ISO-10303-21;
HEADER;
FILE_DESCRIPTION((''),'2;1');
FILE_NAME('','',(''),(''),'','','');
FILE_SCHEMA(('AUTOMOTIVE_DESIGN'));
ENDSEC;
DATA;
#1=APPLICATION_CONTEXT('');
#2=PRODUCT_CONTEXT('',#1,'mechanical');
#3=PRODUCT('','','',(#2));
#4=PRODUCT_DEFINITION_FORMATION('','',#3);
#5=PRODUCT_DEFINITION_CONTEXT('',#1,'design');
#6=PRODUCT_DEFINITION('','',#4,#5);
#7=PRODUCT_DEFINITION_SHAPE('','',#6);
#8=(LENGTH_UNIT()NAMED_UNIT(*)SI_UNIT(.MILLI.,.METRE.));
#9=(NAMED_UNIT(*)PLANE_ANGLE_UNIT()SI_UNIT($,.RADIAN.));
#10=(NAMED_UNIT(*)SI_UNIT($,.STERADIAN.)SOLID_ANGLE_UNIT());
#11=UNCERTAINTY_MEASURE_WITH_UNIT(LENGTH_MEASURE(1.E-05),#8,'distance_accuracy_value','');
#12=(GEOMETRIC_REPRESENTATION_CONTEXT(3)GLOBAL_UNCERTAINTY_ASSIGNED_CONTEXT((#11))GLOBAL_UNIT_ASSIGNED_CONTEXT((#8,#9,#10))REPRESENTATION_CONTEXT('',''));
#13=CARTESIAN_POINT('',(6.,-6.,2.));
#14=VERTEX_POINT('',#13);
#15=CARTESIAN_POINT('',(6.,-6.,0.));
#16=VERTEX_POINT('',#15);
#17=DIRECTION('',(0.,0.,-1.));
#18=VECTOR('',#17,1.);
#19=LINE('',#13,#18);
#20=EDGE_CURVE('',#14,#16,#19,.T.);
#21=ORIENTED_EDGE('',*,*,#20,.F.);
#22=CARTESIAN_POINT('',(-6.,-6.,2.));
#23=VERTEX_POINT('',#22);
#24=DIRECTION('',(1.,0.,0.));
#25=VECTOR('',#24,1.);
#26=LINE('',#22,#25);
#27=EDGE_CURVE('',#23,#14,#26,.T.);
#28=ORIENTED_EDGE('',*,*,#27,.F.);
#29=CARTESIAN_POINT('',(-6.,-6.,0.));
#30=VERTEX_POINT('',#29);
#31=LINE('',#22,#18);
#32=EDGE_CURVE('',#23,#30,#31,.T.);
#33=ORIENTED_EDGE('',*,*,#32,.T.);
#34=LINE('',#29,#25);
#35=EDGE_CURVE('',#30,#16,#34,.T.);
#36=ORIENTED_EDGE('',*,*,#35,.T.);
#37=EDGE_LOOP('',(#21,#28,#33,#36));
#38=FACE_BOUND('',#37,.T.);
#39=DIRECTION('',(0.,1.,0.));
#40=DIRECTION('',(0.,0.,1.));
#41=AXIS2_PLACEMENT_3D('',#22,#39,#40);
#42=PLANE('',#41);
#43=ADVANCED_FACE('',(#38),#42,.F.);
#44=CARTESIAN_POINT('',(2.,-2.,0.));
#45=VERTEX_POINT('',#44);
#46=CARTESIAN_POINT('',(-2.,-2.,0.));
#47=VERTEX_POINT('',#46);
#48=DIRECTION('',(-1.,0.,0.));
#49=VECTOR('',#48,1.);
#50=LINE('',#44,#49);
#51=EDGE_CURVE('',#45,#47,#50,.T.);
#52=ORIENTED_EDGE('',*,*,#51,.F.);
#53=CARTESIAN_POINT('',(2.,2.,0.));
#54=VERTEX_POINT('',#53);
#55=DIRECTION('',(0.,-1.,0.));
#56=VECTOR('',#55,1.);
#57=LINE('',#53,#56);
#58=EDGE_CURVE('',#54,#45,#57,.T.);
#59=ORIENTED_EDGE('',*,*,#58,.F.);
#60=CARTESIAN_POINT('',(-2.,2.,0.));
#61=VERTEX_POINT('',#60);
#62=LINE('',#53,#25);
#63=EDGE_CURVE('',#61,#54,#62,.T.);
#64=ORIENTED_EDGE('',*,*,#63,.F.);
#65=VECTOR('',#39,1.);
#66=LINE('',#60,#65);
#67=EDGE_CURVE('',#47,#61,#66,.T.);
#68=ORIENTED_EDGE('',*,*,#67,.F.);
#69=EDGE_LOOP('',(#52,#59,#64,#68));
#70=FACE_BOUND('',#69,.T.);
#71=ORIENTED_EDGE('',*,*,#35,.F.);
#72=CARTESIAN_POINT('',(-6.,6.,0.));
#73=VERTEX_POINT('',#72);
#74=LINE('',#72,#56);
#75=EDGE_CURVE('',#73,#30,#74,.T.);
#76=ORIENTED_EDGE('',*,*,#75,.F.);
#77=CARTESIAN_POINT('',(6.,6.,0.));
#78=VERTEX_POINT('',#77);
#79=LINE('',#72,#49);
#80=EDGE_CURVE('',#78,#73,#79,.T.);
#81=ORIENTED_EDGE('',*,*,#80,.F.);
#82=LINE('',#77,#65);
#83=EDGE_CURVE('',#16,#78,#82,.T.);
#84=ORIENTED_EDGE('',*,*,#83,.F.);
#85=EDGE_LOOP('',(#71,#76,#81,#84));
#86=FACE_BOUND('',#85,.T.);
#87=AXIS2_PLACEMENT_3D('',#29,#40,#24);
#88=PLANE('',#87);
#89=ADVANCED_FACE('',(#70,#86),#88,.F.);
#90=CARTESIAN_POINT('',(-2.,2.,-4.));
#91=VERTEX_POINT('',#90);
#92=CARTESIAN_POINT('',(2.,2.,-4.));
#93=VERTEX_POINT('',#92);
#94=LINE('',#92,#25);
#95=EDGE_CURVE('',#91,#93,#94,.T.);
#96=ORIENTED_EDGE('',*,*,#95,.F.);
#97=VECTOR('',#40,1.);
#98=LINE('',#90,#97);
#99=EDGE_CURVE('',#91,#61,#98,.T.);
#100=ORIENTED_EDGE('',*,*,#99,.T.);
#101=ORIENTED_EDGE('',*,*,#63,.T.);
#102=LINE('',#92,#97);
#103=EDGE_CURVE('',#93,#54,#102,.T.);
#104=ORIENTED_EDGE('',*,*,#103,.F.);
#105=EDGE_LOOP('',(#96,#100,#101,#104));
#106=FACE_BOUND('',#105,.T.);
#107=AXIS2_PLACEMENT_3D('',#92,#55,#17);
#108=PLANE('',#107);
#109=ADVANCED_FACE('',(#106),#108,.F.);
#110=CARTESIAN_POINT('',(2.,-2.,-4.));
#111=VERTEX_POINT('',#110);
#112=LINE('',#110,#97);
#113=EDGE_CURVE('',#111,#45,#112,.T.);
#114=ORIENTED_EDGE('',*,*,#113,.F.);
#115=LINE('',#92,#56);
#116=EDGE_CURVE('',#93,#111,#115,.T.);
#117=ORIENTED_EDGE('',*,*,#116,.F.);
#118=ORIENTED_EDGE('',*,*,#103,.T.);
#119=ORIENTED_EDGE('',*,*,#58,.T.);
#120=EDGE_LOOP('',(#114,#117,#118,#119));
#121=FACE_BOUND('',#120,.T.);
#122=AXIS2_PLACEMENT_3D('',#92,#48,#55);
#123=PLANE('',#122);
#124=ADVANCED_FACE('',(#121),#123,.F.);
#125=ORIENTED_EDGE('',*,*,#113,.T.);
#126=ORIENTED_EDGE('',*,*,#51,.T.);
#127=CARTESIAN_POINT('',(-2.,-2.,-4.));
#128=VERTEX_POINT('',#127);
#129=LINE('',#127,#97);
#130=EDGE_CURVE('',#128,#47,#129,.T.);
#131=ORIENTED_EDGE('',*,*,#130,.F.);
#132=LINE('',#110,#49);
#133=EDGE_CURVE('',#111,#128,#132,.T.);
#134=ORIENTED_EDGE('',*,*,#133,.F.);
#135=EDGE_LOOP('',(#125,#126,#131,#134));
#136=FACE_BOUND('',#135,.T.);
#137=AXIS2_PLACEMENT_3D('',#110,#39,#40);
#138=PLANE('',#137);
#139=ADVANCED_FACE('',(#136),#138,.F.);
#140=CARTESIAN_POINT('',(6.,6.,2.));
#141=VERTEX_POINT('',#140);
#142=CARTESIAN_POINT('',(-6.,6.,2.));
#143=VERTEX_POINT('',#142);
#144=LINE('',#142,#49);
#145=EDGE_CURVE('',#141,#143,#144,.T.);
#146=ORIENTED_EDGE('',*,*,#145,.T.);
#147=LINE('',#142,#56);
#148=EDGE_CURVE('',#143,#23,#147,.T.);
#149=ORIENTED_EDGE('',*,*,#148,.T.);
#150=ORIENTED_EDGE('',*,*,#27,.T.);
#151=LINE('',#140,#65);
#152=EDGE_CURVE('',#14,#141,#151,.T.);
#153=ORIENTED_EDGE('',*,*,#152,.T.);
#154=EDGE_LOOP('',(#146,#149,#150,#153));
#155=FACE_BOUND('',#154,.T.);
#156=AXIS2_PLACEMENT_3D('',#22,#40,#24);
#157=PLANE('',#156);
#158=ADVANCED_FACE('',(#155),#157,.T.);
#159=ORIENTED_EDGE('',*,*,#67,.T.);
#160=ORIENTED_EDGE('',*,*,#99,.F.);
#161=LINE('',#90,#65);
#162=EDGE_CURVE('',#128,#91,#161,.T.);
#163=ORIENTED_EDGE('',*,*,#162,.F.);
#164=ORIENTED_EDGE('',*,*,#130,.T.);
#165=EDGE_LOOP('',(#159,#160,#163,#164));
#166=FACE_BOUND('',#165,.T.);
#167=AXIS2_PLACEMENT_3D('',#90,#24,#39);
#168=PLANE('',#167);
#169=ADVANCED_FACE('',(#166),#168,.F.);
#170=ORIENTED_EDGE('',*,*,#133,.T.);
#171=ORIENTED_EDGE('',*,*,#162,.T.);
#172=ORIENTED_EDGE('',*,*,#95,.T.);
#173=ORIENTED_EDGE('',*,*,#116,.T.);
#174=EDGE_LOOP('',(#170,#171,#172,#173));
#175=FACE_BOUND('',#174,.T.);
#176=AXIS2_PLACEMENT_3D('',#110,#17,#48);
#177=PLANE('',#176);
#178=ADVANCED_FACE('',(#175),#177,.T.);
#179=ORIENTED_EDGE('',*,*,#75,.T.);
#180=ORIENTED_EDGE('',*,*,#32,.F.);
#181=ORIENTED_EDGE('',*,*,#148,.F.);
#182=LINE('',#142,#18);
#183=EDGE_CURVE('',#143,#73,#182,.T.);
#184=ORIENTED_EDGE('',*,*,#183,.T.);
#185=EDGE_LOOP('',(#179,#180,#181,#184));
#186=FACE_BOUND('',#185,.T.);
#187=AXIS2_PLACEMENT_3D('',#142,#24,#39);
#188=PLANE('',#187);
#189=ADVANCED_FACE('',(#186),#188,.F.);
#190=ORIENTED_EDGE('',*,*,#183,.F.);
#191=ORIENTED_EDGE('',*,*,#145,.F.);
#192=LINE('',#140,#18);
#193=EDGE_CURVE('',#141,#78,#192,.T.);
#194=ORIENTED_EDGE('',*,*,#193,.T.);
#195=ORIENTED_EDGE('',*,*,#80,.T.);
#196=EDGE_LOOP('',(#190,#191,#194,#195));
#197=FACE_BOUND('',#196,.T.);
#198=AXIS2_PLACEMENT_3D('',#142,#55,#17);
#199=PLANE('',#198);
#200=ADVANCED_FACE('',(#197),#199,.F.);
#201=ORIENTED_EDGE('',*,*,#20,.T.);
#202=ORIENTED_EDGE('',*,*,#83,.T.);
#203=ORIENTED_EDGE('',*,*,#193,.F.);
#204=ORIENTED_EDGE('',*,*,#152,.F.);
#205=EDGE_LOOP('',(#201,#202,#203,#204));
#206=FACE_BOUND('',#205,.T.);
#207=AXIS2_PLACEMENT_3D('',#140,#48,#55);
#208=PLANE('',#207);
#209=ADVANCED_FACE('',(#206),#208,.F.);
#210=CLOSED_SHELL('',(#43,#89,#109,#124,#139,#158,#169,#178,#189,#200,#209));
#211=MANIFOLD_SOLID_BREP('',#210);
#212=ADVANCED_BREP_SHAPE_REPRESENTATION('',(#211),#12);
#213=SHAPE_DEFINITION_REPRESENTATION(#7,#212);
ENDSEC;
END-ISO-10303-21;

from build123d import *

# Parameters (mm, degrees)
ESQUISSE1_W        = 12
ESQUISSE1_H        = 12
BOSS_EXTRU_1_DEPTH = 2
ESQUISSE2_W        = 4
ESQUISSE2_H        = 4
BOSS_EXTRU_2_DEPTH = 4


with BuildPart() as part:
    # Esquisse1 → Boss.-Extru.1 (new body)
    with BuildSketch(Plane.XY):
        Rectangle(ESQUISSE1_W, ESQUISSE1_H)
    extrude(amount=BOSS_EXTRU_1_DEPTH)

    # Esquisse2 → Boss.-Extru.2 (add)
    with BuildSketch(Plane(origin=(0, 0, 0), x_dir=(-1, 0, 0), z_dir=(0, 0, -1))):
        Rectangle(ESQUISSE2_W, ESQUISSE2_H)
    extrude(amount=BOSS_EXTRU_2_DEPTH)


solid = part.part
